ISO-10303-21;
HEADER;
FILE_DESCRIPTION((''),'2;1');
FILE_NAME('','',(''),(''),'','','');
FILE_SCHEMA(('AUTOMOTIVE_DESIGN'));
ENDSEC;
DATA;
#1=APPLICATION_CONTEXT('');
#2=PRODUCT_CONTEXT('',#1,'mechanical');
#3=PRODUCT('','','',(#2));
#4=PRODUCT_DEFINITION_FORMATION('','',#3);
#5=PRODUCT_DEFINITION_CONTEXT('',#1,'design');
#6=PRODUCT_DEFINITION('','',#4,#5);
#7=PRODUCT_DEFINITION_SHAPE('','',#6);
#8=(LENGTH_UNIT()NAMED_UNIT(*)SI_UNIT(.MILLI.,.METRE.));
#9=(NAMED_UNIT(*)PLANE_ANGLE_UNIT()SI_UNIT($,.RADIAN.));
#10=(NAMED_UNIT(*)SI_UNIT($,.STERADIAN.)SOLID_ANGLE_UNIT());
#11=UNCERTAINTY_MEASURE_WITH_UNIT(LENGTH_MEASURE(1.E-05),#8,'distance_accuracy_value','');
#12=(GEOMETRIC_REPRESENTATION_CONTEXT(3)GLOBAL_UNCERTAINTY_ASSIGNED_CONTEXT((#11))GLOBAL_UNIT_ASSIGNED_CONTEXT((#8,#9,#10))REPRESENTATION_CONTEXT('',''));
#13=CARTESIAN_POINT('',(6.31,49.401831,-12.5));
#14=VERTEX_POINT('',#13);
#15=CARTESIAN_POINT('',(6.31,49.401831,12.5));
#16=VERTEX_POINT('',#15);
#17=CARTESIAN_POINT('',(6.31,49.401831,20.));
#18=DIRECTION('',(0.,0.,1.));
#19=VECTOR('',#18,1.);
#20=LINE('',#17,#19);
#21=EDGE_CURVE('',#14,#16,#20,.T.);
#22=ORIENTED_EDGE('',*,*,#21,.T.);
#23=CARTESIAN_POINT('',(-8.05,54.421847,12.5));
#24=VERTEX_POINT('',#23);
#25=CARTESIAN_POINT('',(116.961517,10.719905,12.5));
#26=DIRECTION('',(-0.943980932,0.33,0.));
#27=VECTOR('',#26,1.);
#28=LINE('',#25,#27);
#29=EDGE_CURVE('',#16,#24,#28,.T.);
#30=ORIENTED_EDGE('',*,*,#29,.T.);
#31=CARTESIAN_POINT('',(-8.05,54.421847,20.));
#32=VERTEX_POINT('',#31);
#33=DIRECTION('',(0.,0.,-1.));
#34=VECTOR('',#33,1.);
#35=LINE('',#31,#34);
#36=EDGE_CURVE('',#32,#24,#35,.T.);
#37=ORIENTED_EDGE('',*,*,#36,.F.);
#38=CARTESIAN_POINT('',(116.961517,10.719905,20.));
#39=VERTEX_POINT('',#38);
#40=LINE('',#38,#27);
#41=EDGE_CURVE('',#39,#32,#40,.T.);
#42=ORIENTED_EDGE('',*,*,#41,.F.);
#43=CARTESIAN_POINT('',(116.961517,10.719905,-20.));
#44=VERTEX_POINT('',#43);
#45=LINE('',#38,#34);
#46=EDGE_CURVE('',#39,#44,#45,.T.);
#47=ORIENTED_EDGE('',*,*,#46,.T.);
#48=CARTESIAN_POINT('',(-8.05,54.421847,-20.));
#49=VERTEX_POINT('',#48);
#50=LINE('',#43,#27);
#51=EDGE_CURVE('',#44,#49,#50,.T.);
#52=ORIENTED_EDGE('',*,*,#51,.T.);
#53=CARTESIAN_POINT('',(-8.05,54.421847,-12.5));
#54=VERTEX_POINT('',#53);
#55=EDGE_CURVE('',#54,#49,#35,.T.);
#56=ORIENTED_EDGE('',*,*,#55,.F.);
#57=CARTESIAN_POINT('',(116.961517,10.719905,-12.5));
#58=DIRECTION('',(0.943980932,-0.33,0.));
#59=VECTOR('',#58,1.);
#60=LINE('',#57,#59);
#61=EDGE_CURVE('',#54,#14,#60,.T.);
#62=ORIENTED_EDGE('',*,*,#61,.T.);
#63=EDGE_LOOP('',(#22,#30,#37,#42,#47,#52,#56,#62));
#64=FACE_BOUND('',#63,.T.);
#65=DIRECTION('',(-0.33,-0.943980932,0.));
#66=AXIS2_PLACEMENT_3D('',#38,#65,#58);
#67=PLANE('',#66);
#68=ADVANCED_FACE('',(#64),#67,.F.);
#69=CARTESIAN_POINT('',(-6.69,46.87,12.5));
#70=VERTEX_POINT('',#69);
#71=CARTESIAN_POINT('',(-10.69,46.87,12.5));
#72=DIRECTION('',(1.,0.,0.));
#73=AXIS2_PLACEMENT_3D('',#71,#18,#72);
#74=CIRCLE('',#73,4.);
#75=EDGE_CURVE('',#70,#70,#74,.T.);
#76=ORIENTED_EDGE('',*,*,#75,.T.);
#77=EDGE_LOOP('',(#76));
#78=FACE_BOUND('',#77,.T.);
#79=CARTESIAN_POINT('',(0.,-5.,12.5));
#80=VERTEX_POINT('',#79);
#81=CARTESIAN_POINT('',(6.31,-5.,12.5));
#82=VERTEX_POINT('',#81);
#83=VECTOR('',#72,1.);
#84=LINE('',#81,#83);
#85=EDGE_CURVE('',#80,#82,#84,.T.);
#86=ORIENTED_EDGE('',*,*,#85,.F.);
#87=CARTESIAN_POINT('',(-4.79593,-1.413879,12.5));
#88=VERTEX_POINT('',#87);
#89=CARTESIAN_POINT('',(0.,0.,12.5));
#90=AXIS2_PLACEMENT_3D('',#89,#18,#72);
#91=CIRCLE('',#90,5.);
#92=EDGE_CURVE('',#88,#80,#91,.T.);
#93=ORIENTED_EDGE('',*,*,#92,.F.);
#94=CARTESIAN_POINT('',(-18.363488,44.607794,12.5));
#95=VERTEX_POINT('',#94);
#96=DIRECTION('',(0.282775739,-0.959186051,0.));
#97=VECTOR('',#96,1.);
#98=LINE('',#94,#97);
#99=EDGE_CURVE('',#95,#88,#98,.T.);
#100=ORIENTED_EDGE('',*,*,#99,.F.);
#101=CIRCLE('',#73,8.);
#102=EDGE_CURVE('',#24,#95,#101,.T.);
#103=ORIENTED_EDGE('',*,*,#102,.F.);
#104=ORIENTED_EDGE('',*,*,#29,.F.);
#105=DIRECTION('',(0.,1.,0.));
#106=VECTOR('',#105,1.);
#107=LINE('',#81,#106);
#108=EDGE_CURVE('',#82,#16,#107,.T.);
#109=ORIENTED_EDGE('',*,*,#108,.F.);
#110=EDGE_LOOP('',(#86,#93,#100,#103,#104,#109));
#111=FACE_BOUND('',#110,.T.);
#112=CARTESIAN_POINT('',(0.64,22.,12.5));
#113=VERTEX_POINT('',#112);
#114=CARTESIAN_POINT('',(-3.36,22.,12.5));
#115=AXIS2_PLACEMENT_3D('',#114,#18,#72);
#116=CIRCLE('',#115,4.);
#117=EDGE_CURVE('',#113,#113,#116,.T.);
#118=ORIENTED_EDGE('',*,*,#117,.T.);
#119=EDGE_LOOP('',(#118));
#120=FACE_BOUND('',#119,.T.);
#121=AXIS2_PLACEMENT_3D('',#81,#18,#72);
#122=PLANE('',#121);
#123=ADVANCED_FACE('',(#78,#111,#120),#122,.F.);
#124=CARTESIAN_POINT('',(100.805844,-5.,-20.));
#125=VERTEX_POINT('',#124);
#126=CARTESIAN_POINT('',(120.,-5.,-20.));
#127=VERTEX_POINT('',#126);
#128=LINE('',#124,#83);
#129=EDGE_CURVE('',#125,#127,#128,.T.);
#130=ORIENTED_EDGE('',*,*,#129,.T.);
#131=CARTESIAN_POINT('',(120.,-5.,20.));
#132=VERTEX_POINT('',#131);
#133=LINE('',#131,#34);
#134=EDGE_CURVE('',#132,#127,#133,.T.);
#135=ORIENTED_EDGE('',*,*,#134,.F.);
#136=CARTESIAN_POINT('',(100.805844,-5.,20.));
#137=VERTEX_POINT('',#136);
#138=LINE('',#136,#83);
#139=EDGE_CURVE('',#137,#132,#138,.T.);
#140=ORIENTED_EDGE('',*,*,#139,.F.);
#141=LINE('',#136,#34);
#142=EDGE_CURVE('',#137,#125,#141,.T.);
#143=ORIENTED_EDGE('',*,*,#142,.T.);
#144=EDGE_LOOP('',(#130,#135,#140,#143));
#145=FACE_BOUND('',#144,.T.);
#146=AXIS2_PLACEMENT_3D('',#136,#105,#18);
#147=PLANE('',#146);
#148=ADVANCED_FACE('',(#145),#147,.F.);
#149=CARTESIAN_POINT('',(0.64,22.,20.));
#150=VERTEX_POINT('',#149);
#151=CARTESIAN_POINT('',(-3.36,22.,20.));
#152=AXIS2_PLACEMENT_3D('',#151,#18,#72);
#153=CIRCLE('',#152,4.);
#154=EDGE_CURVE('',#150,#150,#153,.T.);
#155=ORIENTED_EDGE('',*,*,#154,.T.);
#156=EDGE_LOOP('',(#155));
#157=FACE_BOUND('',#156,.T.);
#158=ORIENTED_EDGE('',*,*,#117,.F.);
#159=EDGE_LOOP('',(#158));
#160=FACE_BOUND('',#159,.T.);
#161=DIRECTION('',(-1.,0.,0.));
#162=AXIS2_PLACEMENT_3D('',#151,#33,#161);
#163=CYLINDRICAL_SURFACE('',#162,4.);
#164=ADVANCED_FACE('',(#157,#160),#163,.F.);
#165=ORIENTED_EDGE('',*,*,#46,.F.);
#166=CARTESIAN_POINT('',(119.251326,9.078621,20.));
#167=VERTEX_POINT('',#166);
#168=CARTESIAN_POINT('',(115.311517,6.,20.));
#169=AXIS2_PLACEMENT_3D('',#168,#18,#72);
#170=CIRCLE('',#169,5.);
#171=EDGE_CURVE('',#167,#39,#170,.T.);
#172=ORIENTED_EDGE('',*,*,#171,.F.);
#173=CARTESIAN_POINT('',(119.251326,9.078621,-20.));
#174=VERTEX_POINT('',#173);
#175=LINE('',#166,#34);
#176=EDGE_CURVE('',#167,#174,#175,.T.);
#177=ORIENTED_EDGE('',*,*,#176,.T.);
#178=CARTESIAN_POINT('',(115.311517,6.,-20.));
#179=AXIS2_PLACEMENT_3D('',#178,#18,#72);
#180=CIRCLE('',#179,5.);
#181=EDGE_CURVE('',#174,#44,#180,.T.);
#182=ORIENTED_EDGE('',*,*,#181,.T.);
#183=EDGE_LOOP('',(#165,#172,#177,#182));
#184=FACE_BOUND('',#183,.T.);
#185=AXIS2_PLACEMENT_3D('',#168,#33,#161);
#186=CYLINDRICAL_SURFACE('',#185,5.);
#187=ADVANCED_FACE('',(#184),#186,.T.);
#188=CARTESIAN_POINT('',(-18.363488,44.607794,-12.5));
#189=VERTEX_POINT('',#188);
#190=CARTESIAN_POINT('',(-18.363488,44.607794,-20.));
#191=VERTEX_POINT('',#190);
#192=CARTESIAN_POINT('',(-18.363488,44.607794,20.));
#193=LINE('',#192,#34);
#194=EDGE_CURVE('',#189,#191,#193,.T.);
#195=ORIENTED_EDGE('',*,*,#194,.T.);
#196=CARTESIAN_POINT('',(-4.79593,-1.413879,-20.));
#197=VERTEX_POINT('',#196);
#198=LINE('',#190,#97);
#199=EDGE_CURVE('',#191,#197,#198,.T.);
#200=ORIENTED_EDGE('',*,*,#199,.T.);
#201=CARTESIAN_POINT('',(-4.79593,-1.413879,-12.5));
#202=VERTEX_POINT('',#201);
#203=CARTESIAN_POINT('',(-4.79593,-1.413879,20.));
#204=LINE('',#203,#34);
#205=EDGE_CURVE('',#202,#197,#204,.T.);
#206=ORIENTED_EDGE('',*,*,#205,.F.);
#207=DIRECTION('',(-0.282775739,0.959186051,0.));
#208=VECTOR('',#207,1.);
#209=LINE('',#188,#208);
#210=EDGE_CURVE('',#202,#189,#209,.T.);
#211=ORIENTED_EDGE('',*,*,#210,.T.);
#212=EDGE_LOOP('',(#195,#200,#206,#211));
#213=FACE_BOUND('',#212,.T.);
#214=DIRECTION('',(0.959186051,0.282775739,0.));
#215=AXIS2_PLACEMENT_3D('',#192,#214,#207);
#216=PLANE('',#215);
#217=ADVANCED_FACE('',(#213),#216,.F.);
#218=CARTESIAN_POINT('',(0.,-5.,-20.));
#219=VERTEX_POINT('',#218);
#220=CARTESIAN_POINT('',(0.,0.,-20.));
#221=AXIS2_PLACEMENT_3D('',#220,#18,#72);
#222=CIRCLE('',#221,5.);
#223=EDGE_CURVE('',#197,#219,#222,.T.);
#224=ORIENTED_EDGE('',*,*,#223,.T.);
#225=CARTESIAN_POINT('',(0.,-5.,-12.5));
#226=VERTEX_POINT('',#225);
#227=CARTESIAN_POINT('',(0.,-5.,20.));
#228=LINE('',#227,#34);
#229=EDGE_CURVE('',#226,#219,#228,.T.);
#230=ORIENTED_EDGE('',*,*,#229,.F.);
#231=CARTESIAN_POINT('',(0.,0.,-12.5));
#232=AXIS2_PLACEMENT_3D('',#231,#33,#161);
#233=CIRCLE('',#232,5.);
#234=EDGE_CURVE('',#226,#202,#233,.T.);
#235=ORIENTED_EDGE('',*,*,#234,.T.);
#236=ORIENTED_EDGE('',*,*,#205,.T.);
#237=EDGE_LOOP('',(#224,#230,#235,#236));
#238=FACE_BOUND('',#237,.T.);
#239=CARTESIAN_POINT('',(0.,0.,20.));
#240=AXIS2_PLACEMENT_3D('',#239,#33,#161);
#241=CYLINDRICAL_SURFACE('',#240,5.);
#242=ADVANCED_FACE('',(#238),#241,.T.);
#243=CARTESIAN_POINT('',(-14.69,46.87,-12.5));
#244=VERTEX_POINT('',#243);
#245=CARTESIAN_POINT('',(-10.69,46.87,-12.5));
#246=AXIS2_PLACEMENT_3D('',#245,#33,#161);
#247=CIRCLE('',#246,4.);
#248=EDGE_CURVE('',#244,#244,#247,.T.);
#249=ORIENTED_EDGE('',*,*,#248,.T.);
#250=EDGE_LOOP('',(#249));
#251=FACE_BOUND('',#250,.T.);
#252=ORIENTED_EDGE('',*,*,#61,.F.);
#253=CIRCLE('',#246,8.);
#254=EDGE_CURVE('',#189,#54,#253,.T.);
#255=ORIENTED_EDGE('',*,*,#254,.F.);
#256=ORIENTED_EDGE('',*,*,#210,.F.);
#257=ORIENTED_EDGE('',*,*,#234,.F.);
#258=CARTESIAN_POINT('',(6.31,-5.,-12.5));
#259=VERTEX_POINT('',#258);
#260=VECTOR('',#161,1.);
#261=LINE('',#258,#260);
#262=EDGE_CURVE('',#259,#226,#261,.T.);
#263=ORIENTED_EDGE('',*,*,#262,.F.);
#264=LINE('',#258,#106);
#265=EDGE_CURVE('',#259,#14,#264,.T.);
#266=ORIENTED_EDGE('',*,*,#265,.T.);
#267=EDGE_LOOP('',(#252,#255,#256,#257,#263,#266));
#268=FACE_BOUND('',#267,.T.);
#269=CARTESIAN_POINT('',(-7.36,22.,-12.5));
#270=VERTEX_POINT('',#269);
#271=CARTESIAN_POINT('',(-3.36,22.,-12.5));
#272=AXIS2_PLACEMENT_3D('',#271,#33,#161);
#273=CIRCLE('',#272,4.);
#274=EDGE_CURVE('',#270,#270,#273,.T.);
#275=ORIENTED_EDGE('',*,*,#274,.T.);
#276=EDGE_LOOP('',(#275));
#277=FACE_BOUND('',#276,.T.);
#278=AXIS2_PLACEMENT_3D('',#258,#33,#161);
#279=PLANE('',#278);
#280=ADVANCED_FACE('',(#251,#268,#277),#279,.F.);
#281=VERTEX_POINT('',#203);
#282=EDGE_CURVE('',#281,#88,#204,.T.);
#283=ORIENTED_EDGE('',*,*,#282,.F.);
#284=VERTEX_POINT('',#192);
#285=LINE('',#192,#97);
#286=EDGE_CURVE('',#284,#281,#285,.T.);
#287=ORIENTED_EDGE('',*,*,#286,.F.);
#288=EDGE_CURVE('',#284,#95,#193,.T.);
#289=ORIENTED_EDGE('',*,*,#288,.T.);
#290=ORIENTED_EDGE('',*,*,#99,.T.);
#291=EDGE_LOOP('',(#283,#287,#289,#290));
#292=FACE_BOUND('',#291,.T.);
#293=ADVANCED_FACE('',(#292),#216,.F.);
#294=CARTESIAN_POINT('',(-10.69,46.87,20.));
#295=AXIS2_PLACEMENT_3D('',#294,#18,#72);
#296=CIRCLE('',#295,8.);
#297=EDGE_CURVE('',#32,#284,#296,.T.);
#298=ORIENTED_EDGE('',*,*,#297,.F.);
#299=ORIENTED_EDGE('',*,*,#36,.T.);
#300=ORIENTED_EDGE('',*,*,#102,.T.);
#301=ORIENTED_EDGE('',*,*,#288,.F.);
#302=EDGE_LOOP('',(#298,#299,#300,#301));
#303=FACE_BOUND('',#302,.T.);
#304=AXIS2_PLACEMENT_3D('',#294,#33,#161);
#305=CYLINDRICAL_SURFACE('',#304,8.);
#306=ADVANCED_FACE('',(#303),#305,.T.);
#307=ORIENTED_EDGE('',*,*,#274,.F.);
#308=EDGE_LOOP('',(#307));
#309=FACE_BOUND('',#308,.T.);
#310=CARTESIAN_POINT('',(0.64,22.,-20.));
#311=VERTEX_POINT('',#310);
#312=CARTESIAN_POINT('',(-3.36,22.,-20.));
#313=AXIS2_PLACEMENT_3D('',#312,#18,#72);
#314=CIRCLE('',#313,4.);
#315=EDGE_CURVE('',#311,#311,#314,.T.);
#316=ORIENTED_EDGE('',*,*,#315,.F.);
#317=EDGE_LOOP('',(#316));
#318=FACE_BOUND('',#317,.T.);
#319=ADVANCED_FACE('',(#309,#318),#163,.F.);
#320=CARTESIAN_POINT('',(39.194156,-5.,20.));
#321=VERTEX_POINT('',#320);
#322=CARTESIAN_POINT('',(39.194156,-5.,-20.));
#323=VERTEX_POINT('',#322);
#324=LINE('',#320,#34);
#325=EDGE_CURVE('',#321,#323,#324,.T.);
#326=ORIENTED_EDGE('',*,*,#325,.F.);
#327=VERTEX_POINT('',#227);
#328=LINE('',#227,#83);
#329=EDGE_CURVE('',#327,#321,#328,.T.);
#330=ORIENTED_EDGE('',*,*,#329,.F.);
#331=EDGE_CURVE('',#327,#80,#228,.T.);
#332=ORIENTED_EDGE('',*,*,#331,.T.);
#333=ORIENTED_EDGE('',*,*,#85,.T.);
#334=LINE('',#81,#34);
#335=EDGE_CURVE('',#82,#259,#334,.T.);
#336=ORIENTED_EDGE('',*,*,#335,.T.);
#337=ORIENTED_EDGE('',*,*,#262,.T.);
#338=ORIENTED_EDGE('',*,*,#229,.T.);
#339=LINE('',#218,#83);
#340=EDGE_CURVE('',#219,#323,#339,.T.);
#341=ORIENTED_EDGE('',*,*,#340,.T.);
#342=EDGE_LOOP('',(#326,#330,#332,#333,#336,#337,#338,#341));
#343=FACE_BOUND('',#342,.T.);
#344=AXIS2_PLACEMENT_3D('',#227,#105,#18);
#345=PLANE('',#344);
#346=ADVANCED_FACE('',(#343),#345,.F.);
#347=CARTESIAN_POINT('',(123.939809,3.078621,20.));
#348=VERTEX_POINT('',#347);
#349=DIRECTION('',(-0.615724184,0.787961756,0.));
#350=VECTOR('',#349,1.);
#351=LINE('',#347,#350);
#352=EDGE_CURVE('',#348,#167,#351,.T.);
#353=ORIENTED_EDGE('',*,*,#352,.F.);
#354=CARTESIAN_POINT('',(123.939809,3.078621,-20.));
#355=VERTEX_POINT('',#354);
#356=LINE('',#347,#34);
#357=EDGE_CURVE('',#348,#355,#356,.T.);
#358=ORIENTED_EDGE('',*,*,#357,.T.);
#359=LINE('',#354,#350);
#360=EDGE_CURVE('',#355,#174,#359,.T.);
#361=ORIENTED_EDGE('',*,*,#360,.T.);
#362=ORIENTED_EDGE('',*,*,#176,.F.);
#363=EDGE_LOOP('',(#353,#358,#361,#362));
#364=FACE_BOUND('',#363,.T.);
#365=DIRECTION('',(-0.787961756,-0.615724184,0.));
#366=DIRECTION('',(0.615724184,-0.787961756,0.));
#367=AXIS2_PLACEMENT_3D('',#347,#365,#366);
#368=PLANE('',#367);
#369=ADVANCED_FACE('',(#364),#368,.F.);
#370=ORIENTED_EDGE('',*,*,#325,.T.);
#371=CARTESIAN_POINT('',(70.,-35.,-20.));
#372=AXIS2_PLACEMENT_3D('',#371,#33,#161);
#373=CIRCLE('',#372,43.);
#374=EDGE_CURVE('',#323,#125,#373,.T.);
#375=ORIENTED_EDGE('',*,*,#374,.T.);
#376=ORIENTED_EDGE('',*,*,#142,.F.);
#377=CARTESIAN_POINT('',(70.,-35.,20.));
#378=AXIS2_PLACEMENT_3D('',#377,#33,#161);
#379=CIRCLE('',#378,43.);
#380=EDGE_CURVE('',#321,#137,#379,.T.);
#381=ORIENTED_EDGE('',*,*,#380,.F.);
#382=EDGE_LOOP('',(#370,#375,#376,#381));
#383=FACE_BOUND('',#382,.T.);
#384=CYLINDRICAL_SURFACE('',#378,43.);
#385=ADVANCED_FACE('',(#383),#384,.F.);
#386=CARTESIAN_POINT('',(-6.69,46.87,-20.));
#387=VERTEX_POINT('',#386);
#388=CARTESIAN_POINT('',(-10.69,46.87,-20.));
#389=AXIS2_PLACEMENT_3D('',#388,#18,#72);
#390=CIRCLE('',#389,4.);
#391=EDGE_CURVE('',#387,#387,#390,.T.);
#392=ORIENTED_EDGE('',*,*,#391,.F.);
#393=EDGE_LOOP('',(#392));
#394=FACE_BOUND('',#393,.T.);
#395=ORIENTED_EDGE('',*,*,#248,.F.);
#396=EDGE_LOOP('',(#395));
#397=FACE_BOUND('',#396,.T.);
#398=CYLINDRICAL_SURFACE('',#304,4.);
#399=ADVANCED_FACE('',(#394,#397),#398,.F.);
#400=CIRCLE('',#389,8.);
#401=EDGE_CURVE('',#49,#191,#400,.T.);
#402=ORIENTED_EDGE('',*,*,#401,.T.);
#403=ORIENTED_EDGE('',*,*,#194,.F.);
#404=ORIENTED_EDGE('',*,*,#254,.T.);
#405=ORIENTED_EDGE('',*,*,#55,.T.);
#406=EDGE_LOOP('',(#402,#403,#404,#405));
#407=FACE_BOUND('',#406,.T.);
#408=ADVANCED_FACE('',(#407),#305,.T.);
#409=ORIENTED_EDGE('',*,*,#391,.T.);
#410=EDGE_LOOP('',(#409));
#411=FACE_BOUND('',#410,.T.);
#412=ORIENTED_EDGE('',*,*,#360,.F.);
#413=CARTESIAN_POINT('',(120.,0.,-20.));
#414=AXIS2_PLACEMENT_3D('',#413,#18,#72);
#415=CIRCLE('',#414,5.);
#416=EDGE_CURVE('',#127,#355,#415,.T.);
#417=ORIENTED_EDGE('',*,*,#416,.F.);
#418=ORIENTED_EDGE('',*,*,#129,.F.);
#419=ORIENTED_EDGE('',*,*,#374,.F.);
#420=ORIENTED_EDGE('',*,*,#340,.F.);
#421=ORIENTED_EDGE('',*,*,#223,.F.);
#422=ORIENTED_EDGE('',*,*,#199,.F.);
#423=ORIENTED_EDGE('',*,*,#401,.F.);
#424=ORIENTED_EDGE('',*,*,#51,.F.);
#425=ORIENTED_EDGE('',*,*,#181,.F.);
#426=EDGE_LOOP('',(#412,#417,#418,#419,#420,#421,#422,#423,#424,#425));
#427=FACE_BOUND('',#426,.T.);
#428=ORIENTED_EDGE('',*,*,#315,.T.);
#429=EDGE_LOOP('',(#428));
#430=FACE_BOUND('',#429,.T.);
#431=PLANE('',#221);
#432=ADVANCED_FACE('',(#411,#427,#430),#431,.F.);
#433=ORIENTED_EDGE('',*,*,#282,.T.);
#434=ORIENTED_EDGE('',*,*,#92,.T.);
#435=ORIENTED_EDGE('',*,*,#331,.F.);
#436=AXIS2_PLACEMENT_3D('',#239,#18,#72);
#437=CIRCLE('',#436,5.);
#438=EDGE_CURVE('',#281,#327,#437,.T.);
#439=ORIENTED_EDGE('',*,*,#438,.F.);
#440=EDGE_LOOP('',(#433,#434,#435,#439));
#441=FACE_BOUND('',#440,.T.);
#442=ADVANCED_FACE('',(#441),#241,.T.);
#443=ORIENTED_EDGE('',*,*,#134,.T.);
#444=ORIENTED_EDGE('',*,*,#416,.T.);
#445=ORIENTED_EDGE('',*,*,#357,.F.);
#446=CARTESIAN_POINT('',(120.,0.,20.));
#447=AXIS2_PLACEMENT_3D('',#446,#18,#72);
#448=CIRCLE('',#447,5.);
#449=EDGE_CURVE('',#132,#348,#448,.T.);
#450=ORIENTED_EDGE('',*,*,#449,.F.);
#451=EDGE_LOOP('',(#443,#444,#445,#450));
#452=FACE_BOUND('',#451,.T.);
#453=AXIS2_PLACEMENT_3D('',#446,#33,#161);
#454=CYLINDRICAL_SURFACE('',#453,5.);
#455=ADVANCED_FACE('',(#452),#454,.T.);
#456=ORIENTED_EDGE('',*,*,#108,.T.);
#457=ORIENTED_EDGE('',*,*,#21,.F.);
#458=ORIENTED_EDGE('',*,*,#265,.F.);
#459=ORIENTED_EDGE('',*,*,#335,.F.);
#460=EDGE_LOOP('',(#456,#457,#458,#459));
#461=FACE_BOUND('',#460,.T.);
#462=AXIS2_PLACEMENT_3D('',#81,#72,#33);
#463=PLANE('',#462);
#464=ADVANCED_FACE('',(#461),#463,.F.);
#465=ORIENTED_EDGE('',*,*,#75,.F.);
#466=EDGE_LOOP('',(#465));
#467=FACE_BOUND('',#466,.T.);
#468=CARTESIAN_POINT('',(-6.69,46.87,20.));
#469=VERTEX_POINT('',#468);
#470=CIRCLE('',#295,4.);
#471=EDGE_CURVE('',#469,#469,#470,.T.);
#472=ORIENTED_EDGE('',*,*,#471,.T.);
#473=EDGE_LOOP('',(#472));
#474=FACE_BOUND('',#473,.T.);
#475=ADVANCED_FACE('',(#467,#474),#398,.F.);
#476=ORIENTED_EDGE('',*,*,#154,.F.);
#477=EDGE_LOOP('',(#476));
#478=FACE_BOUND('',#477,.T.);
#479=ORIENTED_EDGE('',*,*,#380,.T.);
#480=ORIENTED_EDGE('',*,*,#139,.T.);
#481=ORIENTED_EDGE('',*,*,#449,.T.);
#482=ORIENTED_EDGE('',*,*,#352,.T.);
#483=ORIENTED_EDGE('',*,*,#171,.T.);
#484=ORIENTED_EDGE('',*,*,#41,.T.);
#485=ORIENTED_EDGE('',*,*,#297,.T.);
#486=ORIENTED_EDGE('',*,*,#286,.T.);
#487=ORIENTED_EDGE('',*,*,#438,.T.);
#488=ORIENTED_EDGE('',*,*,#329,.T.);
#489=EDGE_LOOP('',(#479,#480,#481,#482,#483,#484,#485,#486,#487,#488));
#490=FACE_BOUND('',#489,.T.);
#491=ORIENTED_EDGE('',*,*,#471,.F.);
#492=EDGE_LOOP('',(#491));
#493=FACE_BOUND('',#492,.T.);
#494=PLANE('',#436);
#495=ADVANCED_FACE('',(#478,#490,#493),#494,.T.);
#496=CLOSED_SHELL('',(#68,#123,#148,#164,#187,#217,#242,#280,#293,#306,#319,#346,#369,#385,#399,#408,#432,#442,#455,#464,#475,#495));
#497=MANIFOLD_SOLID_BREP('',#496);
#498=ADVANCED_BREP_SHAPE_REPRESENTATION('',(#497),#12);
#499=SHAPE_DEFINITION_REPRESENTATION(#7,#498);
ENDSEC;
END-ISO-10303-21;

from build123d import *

# Parameters (mm, degrees)
SKETCH1_R               = 4
BOSS_EXTRUDE1_DEPTH     = 20
CUT_EXTRUDE1_DEPTH      = 138.969985504
CUT_EXTRUDE1_DEPTH_BACK = 138.969985504
SKETCH3_W               = 25
SKETCH3_H               = 25


with BuildPart() as part:
    # Sketch1 → Boss-Extrude1 (new, symmetric)
    with BuildSketch(Plane.XY):
        with BuildLine():
            Line((0, -5), (39.194156399, -5))
            ThreePointArc((39.194156399, -5), (70, 8), (100.805843601, -5))
            Line((100.805843601, -5), (120, -5))
            ThreePointArc((120, -5), (124.494057443, -2.191676915), (123.939808781, 3.07862092))
            Line((123.939808781, 3.07862092), (119.251326027, 9.07862092))
            ThreePointArc((119.251326027, 9.07862092), (118.224409903, 10.063872091), (116.961517246, 10.71990466))
            Line((116.961517246, 10.71990466), (-8.05, 54.421847456))
            ThreePointArc((-8.05, 54.421847456), (-16.204790321, 52.665436802), (-18.363488412, 44.607794087))
            Line((-18.363488412, 44.607794087), (-4.795930257, -1.413878695))
            ThreePointArc((-4.795930257, -1.413878695), (-2.994211626, -4.004334744), (0, -5))
        make_face()
        with Locations((-3.36, 22)):
            Circle(SKETCH1_R, mode=Mode.SUBTRACT)
        with Locations((-10.69, 46.87)):
            Circle(SKETCH1_R, mode=Mode.SUBTRACT)
    extrude(amount=BOSS_EXTRUDE1_DEPTH, both=True)

    # Sketch3 → Cut-Extrude1 (cut, two sides: drawn at the far end of the back side and taken through both)
    with BuildSketch(Plane(origin=(0, 0, 0), x_dir=(1, 0, 0), z_dir=(0, 1, 0)).offset(-CUT_EXTRUDE1_DEPTH_BACK)):
        with Locations((-6.19, 0)):
            Rectangle(SKETCH3_W, SKETCH3_H)
    extrude(amount=CUT_EXTRUDE1_DEPTH + CUT_EXTRUDE1_DEPTH_BACK, mode=Mode.SUBTRACT)


solid = part.part
